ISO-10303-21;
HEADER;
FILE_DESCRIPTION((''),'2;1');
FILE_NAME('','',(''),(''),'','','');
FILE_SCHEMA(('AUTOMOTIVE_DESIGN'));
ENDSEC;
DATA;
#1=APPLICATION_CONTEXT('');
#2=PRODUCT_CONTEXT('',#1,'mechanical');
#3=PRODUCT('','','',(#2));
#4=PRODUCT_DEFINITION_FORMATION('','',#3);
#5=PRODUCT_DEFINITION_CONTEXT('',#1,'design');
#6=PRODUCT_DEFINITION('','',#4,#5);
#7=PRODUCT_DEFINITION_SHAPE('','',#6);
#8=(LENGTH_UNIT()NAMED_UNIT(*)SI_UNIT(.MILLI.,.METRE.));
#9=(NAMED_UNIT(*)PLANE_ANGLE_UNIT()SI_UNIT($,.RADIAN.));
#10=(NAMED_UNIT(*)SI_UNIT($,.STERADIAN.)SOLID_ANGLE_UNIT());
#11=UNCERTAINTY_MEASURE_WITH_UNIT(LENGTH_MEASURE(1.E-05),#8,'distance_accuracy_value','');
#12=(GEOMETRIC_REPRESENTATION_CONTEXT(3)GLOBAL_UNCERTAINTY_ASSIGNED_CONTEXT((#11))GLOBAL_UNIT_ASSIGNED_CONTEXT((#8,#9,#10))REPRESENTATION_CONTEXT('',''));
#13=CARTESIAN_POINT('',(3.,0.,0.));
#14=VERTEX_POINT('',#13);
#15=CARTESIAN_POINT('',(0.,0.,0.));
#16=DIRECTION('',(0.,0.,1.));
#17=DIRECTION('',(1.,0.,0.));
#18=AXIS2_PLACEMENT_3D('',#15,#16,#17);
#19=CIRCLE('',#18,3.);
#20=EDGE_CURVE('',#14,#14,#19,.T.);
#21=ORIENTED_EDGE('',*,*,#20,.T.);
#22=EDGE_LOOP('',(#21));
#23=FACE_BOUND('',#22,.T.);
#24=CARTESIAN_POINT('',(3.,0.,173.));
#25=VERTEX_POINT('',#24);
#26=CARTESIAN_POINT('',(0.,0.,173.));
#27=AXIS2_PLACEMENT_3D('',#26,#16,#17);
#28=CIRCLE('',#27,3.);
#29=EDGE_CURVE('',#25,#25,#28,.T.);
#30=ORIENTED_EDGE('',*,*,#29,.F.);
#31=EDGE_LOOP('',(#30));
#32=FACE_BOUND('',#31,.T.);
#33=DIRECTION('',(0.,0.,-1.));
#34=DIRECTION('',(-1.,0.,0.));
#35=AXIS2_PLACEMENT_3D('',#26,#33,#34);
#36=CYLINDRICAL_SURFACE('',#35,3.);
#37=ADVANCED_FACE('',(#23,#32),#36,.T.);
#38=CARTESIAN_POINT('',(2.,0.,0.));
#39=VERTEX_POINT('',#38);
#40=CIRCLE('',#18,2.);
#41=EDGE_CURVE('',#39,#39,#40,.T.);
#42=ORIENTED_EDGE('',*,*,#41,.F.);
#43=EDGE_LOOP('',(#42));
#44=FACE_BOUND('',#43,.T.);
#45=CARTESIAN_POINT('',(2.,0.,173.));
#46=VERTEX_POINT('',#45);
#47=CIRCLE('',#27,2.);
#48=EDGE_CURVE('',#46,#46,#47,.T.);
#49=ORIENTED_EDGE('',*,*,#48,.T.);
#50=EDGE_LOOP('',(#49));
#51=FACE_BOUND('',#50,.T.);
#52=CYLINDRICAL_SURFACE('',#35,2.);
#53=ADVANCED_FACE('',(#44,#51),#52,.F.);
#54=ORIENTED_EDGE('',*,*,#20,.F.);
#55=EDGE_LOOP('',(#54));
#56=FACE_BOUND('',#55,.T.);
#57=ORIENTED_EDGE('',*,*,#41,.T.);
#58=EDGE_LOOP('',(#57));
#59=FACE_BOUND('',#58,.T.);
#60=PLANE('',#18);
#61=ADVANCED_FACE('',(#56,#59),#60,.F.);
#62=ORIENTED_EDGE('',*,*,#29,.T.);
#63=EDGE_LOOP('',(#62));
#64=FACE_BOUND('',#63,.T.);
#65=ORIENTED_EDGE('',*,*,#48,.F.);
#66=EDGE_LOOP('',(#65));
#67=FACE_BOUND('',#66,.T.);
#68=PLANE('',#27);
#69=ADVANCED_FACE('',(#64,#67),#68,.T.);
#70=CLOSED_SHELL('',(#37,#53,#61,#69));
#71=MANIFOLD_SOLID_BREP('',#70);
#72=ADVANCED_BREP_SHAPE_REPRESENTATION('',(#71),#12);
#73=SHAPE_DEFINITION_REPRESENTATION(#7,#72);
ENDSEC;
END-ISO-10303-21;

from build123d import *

# Parameters (mm, degrees)
SCHIZZO1_R                   = 3
SCHIZZO1_R_2                 = 2
ESTRUSIONE_ESTRUSIONE1_DEPTH = 173


with BuildPart() as part:
    # Schizzo1 → Estrusione-Estrusione1 (new body)
    with BuildSketch(Plane.XY):
        Circle(SCHIZZO1_R)
        Circle(SCHIZZO1_R_2, mode=Mode.SUBTRACT)
    extrude(amount=ESTRUSIONE_ESTRUSIONE1_DEPTH)


solid = part.part
